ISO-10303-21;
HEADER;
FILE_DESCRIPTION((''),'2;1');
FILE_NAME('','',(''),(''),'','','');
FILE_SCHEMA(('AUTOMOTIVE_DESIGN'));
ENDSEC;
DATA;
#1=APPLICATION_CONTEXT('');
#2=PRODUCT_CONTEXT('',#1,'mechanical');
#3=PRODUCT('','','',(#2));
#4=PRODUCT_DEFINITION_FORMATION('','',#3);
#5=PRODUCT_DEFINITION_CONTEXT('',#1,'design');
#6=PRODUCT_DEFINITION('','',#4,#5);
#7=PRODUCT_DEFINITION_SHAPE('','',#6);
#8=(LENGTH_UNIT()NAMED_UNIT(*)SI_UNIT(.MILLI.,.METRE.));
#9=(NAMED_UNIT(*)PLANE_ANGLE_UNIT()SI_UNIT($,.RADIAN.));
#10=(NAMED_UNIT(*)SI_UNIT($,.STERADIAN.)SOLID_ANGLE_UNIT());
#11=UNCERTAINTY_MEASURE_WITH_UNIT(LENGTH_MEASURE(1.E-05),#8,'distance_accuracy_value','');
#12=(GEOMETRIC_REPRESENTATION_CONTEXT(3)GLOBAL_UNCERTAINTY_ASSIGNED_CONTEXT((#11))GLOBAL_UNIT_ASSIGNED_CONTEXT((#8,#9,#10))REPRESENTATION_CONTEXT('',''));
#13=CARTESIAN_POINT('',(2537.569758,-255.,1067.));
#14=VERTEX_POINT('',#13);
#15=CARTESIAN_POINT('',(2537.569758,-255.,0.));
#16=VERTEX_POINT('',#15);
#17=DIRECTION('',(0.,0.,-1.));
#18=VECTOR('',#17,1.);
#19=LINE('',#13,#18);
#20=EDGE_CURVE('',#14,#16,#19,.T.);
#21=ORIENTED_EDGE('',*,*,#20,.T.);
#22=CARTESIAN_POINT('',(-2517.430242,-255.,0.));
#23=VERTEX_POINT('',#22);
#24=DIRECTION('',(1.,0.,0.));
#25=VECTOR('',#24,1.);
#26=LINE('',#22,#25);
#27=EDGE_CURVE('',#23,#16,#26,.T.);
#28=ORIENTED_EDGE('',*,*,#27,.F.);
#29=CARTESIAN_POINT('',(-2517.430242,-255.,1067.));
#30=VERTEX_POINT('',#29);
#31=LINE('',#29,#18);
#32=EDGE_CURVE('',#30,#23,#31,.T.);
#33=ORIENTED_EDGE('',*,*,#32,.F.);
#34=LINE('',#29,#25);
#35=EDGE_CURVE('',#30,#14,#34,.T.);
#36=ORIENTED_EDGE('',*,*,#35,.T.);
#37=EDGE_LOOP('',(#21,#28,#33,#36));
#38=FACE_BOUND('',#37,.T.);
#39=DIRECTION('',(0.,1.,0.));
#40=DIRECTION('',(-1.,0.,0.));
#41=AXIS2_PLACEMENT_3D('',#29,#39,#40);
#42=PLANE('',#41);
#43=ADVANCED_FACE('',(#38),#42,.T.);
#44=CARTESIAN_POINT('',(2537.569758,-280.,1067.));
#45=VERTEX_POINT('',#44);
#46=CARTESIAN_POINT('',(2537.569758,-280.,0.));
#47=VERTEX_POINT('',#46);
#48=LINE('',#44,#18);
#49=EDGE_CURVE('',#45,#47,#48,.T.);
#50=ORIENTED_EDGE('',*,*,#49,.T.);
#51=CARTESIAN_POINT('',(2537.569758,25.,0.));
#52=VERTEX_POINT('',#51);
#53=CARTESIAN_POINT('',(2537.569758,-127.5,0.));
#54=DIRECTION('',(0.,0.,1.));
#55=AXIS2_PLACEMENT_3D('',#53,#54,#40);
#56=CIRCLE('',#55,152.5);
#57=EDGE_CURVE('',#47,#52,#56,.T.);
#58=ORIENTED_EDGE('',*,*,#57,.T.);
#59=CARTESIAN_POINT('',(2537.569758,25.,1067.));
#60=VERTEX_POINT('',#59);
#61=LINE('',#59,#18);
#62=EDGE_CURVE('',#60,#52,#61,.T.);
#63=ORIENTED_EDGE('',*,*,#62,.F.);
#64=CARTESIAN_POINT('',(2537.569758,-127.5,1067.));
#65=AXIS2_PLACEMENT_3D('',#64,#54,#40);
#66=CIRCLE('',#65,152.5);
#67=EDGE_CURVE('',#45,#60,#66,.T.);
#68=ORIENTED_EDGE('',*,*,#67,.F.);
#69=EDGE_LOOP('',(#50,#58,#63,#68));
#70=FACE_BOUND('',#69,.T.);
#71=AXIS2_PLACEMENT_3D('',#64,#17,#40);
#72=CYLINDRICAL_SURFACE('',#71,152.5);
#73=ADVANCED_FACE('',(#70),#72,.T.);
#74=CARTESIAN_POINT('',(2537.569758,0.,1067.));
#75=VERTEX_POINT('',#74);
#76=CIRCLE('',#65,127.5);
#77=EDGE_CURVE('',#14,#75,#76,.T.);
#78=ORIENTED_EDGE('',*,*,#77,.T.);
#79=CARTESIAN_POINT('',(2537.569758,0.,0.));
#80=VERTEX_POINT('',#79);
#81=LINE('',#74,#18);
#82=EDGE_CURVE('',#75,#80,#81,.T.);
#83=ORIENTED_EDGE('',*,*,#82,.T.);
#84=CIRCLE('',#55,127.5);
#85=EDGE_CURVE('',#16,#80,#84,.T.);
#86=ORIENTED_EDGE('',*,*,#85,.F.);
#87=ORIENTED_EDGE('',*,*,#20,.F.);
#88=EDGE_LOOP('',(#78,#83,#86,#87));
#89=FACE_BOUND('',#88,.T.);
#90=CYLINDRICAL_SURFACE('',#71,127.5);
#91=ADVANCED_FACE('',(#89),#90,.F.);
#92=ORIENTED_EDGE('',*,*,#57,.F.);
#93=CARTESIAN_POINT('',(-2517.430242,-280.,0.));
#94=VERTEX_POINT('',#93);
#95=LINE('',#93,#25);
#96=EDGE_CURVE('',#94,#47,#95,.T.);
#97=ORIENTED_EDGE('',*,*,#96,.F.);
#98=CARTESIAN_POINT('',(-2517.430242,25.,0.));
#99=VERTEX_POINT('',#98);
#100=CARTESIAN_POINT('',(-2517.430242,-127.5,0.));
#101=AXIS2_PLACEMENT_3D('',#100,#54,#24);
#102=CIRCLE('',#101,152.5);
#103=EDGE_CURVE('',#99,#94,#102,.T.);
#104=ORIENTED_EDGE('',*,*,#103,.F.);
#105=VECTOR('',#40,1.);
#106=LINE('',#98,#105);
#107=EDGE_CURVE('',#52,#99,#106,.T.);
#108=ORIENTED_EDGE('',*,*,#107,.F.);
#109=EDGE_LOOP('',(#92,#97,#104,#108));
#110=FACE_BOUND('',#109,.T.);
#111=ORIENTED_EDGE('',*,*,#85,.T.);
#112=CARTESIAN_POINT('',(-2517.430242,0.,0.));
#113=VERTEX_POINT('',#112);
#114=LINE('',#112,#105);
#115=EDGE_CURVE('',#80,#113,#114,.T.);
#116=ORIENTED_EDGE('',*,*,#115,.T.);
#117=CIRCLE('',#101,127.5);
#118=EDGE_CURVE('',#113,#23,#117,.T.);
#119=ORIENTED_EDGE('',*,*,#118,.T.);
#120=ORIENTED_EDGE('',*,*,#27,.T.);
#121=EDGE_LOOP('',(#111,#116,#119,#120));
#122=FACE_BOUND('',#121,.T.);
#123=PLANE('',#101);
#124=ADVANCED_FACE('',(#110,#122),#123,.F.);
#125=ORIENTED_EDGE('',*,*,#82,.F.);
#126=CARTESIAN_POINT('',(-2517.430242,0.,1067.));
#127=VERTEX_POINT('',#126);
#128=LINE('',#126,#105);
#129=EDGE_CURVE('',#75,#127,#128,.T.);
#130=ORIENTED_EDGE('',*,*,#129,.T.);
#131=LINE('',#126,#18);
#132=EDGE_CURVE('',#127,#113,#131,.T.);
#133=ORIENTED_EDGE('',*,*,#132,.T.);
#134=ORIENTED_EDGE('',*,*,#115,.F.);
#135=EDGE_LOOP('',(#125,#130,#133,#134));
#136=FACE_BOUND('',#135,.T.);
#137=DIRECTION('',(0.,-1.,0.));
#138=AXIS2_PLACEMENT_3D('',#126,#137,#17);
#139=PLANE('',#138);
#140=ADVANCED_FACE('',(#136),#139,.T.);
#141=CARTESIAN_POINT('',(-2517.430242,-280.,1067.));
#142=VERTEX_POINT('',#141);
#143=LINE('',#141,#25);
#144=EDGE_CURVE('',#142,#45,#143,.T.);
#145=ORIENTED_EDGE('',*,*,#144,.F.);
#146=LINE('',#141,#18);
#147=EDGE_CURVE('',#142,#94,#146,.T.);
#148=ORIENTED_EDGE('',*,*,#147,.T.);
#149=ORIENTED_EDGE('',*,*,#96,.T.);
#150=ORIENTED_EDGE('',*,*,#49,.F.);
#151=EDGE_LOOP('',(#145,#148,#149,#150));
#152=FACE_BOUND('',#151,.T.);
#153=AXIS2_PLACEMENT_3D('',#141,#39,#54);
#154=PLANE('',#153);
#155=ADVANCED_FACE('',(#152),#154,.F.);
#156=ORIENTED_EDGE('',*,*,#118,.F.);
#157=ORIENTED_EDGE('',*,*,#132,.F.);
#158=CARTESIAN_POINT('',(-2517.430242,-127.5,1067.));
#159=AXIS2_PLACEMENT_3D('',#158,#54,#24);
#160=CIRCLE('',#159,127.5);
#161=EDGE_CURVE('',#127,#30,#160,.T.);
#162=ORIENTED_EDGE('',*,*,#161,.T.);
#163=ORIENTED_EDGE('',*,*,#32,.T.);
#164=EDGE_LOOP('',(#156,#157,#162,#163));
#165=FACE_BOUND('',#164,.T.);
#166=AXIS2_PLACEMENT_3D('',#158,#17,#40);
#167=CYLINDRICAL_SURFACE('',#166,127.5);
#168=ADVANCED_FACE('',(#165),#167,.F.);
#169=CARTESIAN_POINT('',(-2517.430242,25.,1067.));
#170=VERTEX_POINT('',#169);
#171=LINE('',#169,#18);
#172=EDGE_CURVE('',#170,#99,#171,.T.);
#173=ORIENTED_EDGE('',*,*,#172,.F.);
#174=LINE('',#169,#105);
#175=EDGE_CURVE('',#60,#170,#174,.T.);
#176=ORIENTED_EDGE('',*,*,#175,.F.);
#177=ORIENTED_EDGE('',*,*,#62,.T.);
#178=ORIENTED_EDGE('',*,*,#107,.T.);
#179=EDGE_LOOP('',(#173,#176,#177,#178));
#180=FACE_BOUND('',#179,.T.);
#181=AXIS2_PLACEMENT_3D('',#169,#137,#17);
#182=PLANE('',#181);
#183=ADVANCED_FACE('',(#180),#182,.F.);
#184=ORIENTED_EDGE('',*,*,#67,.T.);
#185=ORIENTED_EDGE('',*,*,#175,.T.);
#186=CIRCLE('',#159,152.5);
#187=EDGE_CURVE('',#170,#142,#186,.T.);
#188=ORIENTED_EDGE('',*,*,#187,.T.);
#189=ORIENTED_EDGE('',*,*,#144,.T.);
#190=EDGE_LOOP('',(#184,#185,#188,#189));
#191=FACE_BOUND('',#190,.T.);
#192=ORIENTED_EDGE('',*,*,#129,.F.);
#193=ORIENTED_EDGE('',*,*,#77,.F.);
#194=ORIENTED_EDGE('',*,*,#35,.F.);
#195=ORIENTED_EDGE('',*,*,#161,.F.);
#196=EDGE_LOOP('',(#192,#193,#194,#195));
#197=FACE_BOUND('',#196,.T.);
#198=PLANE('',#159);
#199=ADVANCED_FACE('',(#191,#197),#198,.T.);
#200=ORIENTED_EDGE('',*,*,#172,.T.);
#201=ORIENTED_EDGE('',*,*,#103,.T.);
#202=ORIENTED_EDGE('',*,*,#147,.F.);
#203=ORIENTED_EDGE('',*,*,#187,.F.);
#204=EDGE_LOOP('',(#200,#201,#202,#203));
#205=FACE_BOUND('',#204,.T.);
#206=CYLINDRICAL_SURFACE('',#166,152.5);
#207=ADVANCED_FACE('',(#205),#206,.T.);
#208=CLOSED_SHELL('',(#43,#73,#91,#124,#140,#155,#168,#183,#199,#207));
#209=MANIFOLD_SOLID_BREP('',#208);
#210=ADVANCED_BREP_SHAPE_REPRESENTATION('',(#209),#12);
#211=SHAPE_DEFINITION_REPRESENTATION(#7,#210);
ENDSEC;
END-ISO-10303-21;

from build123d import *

# Parameters (mm, degrees)
BOSS_EXTRUDE1_DEPTH = 1067


with BuildPart() as part:
    # Sketch1 → Boss-Extrude1 (new body)
    with BuildSketch(Plane.XY):
        with BuildLine():
            Line((-2517.43024211, 25), (2537.56975789, 25))
            ThreePointArc((2537.56975789, 25), (2690.06975789, -127.5), (2537.56975789, -280))
            Line((2537.56975789, -280), (-2517.43024211, -280))
            ThreePointArc((-2517.43024211, -280), (-2669.93024211, -127.5), (-2517.43024211, 25))
        make_face()
        with BuildLine():
            Line((-2517.43024211, 0), (2537.56975789, 0))
            ThreePointArc((2537.56975789, 0), (2665.06975789, -127.5), (2537.56975789, -255))
            Line((2537.56975789, -255), (-2517.43024211, -255))
            ThreePointArc((-2517.43024211, -255), (-2644.93024211, -127.5), (-2517.43024211, 0))
        make_face(mode=Mode.SUBTRACT)
    extrude(amount=BOSS_EXTRUDE1_DEPTH)


solid = part.part
